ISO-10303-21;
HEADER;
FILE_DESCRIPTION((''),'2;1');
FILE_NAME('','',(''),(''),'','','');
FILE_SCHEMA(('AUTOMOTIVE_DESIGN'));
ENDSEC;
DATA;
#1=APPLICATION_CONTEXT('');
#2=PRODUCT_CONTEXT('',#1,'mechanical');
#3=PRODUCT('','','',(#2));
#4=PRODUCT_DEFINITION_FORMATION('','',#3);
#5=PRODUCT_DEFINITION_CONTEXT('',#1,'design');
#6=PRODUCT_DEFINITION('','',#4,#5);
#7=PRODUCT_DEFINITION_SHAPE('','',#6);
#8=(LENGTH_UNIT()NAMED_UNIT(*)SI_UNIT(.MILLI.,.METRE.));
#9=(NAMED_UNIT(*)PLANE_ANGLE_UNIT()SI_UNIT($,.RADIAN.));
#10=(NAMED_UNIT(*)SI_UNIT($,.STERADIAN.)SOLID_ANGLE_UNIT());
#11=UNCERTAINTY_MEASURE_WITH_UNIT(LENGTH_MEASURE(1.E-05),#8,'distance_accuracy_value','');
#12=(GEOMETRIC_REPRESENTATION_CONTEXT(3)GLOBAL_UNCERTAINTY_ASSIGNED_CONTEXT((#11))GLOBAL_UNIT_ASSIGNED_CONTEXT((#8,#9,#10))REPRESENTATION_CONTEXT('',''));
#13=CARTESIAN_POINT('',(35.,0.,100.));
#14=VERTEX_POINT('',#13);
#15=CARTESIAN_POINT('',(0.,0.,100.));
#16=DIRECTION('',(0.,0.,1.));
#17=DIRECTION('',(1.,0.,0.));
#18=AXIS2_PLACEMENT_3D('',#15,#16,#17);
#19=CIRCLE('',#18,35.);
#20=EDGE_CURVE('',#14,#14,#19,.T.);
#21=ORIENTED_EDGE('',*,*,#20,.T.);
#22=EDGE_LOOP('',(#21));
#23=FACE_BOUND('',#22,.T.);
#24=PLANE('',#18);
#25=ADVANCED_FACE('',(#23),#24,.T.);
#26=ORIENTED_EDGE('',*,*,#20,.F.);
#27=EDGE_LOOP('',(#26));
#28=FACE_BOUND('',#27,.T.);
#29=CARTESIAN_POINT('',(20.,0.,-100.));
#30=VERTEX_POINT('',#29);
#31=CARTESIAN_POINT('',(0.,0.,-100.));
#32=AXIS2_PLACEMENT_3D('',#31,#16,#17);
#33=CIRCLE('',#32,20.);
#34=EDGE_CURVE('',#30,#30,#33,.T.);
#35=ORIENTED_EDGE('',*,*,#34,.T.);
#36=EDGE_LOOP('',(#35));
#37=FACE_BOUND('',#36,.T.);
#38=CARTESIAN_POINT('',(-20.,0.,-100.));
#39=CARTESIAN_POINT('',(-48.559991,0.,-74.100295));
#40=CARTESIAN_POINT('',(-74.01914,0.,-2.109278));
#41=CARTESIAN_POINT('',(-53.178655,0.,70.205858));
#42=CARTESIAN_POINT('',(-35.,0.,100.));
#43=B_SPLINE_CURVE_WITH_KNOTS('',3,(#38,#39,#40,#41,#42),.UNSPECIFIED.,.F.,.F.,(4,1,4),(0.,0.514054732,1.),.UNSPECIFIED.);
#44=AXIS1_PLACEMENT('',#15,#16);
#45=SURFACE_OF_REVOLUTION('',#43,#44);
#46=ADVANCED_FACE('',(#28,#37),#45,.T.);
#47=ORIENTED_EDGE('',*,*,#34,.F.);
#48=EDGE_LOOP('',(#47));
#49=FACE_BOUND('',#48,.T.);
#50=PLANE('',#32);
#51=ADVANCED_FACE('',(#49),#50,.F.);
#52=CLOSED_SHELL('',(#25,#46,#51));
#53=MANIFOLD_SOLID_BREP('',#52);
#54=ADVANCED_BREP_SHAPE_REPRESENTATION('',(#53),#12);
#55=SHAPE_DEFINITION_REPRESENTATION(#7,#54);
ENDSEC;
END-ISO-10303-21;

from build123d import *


with BuildPart() as part:
    # Croquis3 → Revolución1 (revolve)
    with BuildSketch(Plane(origin=(0, 0, 0), x_dir=(1, 0, 0), z_dir=(0, 1, 0))):
        with BuildLine():
            Line((0, 100), (-20, 100))
            add(Edge.make_bspline(
                [(-20, 100), (-48.559991359, 74.100295123), (-74.019140196, 2.109278007), (-53.178655206, -70.205857952), (-35, -100)],
                knots=[0, 0, 0, 0, 0.514054732, 1, 1, 1, 1], degree=3))
            Line((-35, -100), (0, -100))
            Line((0, -100), (0, 100))
        make_face()
    revolve(axis=Axis((0, 0, 100), (0, 0, -1)))


solid = part.part
